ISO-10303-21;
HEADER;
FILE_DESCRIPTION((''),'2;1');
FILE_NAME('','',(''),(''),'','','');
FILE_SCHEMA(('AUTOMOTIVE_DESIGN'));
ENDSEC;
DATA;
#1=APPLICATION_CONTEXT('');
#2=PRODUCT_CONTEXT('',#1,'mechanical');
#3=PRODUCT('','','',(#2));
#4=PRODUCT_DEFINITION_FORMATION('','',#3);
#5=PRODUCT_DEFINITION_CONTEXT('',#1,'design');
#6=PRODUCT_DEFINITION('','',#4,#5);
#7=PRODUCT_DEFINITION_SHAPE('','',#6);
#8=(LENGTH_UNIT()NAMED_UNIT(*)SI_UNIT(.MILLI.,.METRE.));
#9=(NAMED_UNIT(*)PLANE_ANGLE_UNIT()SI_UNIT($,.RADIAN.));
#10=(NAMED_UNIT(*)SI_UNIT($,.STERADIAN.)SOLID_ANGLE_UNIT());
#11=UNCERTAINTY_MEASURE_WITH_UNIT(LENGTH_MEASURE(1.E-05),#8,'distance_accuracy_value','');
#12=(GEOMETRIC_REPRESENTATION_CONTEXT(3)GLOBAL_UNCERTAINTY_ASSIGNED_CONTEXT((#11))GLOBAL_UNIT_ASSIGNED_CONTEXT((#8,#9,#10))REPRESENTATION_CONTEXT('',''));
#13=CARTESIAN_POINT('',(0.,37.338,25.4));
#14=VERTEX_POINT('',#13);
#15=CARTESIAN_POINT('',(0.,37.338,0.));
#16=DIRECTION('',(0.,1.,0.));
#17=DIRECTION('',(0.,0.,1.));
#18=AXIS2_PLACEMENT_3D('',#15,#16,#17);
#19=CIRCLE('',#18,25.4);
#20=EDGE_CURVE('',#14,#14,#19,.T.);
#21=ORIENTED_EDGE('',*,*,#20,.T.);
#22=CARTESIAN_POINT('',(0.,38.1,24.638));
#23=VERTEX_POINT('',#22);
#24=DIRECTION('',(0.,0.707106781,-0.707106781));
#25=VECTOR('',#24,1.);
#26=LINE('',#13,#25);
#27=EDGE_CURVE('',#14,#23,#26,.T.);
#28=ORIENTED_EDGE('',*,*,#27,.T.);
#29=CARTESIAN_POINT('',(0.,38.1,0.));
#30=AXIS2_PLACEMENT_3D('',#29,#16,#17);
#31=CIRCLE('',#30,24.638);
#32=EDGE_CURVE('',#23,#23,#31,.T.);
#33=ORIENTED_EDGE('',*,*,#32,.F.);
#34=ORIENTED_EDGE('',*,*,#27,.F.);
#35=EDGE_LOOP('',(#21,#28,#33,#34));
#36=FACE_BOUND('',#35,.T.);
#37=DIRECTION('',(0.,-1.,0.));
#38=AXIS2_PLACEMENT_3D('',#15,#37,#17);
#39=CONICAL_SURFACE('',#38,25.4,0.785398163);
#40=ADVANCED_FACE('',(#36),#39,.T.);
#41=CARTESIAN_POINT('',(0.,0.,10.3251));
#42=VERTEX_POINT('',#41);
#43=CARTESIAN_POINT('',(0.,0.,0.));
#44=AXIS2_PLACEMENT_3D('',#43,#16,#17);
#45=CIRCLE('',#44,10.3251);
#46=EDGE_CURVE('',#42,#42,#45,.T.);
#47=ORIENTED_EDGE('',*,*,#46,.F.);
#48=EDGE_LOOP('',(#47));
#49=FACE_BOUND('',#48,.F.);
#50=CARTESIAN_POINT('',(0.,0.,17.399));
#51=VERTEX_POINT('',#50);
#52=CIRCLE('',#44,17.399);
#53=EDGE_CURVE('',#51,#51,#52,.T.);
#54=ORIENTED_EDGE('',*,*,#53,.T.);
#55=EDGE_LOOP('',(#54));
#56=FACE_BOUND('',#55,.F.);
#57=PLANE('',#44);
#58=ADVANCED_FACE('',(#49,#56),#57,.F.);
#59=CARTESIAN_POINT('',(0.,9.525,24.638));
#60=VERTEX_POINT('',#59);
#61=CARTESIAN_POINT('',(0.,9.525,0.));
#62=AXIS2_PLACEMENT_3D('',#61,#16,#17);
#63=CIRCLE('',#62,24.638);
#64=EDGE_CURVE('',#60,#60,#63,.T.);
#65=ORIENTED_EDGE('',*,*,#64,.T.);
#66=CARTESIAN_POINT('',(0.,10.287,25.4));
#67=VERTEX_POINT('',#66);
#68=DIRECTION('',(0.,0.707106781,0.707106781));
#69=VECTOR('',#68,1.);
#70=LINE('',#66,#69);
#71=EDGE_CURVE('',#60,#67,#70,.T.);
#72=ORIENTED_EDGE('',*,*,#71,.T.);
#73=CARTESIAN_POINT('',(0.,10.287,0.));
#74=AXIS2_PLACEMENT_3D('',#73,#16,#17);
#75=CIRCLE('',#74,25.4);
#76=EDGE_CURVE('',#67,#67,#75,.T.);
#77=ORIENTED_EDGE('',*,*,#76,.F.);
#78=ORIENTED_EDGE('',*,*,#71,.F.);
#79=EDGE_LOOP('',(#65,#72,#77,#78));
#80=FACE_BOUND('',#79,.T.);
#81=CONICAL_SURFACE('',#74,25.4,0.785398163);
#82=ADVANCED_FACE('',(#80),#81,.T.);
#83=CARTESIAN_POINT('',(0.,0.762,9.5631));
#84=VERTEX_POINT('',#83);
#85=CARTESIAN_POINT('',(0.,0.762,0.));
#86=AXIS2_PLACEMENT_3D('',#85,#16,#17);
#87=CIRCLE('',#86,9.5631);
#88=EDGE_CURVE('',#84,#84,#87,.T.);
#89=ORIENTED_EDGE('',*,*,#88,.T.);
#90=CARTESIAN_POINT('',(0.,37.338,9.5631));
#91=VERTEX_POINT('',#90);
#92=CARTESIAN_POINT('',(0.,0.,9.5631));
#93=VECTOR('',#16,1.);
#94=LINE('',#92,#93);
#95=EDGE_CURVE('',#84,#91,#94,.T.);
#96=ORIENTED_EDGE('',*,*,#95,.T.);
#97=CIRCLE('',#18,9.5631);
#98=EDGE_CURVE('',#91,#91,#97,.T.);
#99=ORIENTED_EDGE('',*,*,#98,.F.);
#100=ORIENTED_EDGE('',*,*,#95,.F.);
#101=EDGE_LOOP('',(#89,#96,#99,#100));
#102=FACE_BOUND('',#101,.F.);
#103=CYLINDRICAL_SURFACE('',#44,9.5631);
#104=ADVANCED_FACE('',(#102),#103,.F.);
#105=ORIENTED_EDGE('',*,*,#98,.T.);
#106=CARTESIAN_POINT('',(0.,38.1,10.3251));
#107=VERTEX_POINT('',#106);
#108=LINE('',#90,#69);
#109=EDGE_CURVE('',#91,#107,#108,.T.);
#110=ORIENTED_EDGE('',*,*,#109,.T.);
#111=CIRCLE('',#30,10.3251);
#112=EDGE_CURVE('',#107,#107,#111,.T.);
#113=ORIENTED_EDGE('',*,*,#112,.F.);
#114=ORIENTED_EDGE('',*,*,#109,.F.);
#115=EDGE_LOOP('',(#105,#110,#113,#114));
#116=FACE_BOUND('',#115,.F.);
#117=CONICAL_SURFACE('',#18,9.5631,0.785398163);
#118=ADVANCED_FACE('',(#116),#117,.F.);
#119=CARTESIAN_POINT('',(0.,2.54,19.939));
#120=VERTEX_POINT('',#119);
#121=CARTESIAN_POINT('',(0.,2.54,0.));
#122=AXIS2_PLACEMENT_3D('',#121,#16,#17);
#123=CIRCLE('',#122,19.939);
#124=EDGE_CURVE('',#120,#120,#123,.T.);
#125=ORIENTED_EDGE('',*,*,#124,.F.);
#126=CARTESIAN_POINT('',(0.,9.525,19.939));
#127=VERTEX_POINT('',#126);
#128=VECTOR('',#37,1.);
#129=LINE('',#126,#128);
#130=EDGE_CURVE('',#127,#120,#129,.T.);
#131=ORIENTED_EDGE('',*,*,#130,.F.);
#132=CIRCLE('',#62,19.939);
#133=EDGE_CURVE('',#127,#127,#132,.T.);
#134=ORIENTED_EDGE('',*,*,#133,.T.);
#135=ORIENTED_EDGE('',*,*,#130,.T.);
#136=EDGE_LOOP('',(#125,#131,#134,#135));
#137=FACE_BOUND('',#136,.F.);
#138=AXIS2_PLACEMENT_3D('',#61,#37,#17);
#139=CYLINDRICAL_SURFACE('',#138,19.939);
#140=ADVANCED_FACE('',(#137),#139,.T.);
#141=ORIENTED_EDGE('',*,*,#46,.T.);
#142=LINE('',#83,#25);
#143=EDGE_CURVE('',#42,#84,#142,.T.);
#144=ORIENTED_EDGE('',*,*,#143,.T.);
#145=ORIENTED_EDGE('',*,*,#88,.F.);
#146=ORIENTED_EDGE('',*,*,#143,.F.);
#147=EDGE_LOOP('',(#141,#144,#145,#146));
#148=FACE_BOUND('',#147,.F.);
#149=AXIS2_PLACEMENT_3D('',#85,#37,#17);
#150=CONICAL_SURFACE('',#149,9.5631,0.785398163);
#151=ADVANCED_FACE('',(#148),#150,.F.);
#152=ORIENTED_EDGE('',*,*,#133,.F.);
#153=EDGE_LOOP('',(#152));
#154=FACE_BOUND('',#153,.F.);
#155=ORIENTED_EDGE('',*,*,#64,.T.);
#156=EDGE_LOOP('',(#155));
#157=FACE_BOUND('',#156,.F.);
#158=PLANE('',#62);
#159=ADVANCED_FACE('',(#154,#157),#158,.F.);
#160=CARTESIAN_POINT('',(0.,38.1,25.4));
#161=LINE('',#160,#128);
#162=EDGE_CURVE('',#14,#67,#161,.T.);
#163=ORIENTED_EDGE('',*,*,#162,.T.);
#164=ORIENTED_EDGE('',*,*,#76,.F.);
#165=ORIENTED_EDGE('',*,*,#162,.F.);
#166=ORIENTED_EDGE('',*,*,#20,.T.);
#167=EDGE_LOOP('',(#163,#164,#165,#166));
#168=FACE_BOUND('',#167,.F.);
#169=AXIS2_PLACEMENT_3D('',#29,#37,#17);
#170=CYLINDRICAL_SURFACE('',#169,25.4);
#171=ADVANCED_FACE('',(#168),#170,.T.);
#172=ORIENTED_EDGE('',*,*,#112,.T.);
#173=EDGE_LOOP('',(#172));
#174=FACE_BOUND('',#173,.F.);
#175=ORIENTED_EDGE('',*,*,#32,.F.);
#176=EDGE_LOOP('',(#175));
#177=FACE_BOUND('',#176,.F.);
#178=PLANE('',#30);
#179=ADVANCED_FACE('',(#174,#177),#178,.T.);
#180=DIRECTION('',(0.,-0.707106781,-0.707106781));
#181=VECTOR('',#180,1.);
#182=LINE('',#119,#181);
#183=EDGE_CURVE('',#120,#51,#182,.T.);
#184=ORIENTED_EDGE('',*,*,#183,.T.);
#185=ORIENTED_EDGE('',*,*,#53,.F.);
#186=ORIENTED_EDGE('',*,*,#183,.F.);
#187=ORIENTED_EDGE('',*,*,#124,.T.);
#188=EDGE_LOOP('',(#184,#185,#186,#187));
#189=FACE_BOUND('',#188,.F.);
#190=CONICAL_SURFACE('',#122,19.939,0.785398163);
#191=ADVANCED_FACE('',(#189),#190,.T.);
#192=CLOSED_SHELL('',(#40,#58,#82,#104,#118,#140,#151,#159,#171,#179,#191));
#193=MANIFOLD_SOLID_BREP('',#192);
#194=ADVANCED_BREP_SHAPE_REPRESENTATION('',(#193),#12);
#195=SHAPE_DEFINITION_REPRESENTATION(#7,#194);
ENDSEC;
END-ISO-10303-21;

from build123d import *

# Parameters (mm, degrees)
F2_SIZE = 2.54
F3_SIZE = 0.762


with BuildPart() as f1:
    # F0 (on Right) → F1 (revolve)
    with BuildSketch(Plane.YZ):
        Polygon((9.525, 19.939), (0, 19.939), (0, 9.5631), (38.1, 9.5631), (38.1, 25.4), (9.525, 25.4), align=None)
    revolve(axis=Axis((0, 8.629879, 0), (0, 1, 0)))

    # F2
    f2_edges = [f1.edges().sort_by_distance(p)[0] for p in [
        (0, 0, -19.939),
    ]]
    chamfer(f2_edges, length=F2_SIZE)

    # F3
    f3_edges = [f1.edges().sort_by_distance(p)[0] for p in [
        (0, 0, -9.5631),
        (0, 38.1, -9.5631),
        (0, 19.05, 9.5631),
        (0, 38.1, -25.4),
        (0, 9.525, -25.4),
        (0, 23.8125, 25.4),
    ]]
    chamfer(f3_edges, length=F3_SIZE)


solid = f1.part
